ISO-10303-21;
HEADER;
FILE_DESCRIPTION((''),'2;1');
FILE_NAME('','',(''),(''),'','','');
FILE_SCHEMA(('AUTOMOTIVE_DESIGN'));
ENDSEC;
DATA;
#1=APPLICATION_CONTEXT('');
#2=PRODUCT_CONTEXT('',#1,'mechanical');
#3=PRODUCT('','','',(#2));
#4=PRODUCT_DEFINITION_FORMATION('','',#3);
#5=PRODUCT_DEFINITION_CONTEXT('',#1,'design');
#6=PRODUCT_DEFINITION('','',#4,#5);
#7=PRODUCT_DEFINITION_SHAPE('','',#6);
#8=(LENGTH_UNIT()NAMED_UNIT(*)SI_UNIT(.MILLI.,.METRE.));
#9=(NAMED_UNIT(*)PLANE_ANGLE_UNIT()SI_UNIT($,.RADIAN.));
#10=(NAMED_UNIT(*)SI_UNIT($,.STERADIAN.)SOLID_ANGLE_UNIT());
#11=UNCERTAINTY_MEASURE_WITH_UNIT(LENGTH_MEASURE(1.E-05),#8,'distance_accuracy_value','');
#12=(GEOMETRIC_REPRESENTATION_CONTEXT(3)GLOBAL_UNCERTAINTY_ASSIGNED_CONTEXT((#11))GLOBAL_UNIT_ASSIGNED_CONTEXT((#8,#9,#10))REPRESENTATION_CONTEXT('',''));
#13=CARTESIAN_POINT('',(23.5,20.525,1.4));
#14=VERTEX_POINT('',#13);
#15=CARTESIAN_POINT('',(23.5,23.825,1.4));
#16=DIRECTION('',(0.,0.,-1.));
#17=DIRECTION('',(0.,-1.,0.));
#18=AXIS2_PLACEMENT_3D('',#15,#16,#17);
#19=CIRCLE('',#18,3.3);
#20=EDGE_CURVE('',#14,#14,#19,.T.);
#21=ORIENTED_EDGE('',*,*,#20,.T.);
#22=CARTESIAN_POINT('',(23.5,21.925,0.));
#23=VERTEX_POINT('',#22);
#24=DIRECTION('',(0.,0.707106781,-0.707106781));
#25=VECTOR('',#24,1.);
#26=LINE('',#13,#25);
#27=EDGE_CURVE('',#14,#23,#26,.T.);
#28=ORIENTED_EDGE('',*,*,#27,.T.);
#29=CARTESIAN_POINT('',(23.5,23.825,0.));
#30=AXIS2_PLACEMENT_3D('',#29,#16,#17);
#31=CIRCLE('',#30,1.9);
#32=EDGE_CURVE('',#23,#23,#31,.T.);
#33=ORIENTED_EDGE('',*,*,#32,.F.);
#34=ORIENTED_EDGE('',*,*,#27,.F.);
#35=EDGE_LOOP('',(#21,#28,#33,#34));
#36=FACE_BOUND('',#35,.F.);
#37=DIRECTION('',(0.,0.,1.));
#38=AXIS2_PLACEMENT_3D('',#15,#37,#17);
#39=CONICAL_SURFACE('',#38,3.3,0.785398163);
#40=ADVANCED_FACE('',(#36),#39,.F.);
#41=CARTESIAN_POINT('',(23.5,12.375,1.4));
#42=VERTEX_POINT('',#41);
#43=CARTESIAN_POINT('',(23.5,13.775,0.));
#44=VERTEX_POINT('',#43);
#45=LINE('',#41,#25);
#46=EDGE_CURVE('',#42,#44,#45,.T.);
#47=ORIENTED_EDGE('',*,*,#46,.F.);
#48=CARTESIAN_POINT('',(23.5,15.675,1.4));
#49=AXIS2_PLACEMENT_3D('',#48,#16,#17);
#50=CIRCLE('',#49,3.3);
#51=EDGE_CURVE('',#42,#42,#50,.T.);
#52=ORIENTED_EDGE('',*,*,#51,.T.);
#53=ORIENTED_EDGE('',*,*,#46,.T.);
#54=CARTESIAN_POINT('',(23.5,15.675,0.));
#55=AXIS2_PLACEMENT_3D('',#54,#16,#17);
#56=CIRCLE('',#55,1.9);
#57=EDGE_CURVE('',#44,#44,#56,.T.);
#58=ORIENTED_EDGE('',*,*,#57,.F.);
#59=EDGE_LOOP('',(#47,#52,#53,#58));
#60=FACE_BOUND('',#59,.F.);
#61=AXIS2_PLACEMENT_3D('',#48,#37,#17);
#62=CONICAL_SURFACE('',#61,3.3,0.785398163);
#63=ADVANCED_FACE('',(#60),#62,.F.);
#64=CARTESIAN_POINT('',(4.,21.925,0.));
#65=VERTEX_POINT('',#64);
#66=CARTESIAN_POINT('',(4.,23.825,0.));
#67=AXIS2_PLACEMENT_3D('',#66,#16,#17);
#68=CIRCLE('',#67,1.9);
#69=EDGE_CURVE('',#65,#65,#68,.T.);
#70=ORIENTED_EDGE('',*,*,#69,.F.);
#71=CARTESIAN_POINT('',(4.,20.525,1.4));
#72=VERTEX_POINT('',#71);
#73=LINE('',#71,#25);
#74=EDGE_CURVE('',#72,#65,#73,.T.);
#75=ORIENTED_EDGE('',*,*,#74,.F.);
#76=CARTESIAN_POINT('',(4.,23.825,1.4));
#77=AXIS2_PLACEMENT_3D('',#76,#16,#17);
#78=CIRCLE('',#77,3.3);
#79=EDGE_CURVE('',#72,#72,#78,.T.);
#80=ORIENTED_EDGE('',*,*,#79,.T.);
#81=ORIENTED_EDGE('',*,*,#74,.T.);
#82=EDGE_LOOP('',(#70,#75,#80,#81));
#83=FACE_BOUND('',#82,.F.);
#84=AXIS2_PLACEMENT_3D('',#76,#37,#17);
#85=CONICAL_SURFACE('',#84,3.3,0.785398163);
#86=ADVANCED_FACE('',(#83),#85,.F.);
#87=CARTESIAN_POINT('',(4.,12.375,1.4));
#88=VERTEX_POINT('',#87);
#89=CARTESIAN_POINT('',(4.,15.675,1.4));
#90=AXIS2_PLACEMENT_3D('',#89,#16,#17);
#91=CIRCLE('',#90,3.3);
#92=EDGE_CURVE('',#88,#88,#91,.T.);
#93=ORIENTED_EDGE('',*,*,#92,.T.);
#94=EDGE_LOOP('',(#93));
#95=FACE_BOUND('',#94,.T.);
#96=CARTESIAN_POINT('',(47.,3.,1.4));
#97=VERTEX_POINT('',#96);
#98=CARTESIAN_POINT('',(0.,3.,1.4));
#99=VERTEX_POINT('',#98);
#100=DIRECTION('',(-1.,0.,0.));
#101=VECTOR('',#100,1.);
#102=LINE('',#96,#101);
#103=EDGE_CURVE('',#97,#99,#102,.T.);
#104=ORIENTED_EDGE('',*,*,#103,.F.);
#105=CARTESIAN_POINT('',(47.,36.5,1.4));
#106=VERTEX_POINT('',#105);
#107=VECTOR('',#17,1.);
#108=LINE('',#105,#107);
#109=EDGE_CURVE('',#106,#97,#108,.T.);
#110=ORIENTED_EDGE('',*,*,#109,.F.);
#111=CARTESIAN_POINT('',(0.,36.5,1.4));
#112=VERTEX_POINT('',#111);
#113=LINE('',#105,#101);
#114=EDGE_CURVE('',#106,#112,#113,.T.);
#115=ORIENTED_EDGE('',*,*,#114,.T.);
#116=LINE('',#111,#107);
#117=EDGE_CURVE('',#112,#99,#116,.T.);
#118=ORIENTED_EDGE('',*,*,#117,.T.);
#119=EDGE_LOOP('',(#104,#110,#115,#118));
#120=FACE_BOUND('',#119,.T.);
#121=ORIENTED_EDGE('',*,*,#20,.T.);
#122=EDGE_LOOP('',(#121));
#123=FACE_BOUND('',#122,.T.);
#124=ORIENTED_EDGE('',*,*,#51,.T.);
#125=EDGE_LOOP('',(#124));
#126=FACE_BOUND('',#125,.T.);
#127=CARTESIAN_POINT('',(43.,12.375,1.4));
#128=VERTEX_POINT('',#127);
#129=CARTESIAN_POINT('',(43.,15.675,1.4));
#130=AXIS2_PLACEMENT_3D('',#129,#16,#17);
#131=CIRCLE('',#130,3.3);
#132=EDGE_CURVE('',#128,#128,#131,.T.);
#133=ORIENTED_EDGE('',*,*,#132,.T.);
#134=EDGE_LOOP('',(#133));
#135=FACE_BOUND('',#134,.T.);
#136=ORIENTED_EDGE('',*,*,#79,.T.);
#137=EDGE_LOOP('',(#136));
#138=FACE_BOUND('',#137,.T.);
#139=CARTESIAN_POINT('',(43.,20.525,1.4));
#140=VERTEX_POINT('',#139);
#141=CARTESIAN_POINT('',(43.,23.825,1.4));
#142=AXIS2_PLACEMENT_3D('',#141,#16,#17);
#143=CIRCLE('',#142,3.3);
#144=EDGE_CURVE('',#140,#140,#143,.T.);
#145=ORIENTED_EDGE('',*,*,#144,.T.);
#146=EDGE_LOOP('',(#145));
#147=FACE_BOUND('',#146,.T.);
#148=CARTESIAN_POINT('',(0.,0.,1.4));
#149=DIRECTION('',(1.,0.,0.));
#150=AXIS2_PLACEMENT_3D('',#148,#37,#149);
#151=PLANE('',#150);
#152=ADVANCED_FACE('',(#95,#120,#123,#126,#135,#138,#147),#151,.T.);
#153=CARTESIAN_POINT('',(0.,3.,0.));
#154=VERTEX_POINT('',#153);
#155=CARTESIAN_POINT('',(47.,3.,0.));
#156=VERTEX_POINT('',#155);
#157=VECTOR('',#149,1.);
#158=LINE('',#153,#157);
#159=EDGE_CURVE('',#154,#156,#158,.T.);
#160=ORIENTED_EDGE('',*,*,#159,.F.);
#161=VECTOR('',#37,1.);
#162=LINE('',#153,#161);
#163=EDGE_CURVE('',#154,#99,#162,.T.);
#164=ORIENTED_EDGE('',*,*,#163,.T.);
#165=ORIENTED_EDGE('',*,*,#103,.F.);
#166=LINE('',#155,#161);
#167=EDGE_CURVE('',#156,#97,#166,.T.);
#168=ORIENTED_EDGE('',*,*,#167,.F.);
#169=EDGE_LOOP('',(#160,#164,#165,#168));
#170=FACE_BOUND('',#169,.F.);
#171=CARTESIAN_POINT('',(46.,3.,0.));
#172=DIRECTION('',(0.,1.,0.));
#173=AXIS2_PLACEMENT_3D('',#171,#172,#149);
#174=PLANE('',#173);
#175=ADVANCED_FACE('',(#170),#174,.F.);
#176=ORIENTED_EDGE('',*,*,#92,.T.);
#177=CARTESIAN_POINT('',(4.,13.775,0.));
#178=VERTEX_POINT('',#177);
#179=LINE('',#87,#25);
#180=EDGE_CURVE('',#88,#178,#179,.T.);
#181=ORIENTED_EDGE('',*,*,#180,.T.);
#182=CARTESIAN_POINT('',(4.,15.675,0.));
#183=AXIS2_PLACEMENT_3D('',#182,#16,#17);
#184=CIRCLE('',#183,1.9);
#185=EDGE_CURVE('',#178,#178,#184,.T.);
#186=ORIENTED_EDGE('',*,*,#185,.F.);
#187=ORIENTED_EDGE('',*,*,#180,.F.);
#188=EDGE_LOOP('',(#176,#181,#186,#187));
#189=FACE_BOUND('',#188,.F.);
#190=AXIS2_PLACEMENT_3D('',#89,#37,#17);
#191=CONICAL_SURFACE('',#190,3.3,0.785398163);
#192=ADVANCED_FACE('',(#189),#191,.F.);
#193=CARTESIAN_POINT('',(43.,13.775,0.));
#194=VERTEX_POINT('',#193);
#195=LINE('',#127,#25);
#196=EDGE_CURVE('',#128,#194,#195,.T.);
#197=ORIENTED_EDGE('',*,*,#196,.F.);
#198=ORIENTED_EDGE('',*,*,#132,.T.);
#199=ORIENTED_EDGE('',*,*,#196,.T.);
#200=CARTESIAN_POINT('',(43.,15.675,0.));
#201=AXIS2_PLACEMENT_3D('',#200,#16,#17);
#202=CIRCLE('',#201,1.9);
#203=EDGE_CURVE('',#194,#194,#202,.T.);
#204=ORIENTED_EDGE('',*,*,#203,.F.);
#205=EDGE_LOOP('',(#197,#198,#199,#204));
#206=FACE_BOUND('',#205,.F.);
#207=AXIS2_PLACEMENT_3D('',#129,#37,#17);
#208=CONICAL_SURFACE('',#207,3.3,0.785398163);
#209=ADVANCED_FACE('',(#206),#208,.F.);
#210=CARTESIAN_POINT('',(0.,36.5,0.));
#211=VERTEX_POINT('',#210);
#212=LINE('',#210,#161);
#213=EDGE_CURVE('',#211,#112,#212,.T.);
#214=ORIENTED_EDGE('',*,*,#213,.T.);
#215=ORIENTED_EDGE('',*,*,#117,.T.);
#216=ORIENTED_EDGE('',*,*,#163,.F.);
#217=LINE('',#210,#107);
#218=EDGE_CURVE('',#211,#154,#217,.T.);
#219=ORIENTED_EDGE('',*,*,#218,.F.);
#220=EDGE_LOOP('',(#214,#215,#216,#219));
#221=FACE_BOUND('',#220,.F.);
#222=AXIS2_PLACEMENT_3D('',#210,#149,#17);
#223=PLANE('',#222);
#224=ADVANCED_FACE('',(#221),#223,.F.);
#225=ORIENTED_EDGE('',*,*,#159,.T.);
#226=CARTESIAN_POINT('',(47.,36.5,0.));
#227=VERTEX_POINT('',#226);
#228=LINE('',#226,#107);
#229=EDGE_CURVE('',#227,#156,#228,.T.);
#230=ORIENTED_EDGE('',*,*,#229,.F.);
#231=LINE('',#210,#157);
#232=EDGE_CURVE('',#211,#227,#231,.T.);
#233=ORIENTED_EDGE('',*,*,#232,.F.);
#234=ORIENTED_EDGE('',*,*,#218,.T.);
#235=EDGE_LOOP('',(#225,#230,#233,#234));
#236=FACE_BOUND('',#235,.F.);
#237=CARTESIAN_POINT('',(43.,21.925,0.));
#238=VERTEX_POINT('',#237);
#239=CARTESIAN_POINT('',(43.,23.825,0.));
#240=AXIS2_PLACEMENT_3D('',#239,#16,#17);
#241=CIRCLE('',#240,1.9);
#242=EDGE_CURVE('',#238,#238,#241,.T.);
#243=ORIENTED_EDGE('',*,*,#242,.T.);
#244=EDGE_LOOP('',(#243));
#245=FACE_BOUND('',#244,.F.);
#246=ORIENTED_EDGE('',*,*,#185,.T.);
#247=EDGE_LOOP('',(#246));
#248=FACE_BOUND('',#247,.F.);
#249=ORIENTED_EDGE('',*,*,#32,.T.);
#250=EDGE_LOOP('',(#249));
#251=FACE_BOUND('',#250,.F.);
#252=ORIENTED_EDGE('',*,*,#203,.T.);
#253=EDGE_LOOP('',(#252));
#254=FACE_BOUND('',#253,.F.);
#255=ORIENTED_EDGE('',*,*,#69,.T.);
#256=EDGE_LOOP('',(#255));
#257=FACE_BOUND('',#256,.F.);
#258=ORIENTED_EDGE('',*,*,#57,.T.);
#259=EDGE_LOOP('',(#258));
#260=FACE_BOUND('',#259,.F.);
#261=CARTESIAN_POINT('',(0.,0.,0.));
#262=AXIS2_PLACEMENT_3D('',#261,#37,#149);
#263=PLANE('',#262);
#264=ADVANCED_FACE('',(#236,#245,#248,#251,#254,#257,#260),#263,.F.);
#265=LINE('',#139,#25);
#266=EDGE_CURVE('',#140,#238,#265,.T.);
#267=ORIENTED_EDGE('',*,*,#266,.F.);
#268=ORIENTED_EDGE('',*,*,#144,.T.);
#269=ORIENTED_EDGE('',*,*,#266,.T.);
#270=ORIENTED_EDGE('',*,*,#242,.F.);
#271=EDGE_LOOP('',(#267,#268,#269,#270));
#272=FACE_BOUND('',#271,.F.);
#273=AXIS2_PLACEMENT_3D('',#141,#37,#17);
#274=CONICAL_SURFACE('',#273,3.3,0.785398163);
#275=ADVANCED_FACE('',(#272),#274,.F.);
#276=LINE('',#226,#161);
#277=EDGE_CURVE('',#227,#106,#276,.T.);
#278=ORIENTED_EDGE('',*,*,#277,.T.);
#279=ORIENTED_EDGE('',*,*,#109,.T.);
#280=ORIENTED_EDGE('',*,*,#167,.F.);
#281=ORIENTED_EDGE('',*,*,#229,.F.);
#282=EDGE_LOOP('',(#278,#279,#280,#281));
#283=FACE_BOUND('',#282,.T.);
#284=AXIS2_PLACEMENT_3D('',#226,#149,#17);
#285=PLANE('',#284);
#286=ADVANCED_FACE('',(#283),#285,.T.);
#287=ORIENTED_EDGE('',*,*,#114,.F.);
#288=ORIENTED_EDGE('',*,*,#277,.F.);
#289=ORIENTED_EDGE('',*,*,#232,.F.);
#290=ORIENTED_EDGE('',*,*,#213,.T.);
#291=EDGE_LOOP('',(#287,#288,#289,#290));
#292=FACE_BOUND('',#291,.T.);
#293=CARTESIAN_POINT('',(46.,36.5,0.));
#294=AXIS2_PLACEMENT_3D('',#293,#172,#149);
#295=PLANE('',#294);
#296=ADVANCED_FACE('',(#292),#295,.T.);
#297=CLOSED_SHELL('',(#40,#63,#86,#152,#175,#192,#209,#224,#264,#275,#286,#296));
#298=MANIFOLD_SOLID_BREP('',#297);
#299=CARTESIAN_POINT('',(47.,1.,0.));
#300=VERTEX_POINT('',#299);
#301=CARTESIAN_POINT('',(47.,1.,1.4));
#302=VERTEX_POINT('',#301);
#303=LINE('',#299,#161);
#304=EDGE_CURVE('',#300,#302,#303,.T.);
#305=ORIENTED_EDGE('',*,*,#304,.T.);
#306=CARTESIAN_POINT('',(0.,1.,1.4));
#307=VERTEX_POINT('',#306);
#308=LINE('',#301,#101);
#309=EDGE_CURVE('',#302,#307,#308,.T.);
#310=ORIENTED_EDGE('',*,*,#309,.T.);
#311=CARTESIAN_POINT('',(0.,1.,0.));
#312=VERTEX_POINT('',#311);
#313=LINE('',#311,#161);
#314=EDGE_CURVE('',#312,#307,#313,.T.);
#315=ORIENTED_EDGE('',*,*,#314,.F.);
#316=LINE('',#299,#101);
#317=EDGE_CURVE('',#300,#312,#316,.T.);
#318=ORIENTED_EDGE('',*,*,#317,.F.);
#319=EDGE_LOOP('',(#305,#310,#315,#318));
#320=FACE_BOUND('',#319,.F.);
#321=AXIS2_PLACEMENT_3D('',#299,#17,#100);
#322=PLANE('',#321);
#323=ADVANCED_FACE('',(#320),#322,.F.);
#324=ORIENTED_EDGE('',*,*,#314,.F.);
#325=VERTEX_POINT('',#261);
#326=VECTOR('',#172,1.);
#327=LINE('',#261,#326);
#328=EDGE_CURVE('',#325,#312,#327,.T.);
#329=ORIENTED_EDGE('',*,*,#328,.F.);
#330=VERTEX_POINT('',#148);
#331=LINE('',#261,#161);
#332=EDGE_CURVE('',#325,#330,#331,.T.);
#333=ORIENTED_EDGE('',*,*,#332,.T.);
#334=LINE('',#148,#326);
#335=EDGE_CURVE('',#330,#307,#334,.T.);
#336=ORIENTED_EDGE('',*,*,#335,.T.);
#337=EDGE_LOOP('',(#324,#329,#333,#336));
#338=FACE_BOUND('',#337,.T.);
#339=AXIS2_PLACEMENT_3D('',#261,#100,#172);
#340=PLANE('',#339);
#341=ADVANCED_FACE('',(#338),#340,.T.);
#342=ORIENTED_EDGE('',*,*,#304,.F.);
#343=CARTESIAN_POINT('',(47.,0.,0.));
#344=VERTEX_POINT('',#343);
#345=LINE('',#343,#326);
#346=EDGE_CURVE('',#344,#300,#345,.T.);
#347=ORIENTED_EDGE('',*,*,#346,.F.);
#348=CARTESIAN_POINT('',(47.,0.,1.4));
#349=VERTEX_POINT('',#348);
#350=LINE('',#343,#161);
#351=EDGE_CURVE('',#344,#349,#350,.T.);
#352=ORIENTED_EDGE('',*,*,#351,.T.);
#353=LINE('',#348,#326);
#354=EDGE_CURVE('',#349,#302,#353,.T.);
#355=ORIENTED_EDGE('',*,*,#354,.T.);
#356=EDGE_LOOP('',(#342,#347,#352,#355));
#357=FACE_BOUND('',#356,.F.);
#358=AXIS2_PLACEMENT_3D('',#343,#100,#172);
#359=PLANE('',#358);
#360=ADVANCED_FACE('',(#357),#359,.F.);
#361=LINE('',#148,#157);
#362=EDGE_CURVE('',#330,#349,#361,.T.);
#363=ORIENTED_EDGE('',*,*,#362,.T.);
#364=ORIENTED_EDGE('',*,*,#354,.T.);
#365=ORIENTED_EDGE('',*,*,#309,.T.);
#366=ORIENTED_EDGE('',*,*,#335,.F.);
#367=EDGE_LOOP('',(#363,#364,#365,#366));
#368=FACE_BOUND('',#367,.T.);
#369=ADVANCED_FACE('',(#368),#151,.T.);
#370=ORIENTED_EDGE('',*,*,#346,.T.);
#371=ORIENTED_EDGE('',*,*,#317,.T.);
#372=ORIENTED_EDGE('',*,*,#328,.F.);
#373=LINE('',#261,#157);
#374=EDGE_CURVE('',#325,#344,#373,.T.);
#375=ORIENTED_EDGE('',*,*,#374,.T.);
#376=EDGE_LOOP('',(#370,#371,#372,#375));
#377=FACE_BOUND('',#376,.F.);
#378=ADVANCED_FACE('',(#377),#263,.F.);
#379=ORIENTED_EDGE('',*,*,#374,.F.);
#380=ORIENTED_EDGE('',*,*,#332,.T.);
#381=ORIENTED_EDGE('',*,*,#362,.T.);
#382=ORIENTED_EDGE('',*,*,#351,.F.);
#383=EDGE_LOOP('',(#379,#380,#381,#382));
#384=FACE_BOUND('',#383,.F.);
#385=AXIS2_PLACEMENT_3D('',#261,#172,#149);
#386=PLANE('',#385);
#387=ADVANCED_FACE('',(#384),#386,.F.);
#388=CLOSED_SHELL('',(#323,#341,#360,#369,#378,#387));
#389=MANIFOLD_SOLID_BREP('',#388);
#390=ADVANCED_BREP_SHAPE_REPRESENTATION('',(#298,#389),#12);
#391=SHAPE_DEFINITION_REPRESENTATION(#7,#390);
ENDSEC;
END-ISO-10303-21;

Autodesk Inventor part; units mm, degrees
ref_plane "YZ Plane" through (0, 0, 0) normal (1, 0, 0) x (0, 1, 0)
ref_plane "XZ Plane" through (0, 0, 0) normal (0, 1, 0) x (-1, 0, 0)
ref_plane "XY Plane" through (0, 0, 0) normal (0, 0, 1) x (1, 0, 0)
ref_plane "Work Plane1" through (0, 0, 0) normal (0, 0, 1) x (1, 0, 0)
sketch "Sketch1" plane through (0, 0, 0) normal (0, 0, 1) x (1, 0, 0)
  line L0 (47, 0) -> (47, 3) projected
  line L1 (0, 3) -> (47, 3) projected
  line L2 (0, 0) -> (0, 3) projected
  line L3 (-65.5, 38.5) -> (112.5, 38.5)
  line L4 (112.5, 38.5) -> (112.5, -8.5)
  line L5 (112.5, -8.5) -> (-65.5, -8.5)
  line L6 (-65.5, -8.5) -> (-65.5, 38.5)
  line L7 (-65, -11.5) -> (-65, 38.5) projected
  line L8 (46, 36.5) -> (46, 3) projected
  line L9 (46, 3) -> (47, 3) projected
  line L10 (47, 36.5) -> (47, 3) projected
  line L11 (46, 36.5) -> (47, 36.5) projected
  line L12 (1, 36.5) -> (1, 3) projected
  line L13 (1, 36.5) -> (0, 36.5) projected
  line L14 (0, 36.5) -> (0, 3) projected
  line L15 (1, 3) -> (0, 3) projected
  line L16 (0, 36.5) -> (47, 36.5)
  line L17 (47, 36.5) -> (47, 1)
  line L18 (47, 1) -> (0, 1)
  line L19 (0, 1) -> (0, 36.5)
  line L20 (0, 0) -> (47, 0) projected
  point P0 (23.5, 0)
  point P1 (-65, -8.5)
  point P2 (0, 3)
  point P3 (47, 1)
  point P4 (0, 1)
  dimension "d0" = 178
  dimension "d1" = 89
  dimension "d2" = 89
  dimension "d3" = 0
  dimension "d13" = 3
extrude "Extrusion1" add sketch "Sketch1" along normal blind 1.4 contours L20 L2 L18 L0 | L1 L8 L11 L10 | L1 L12 L16 L8 | L14 L13 L12 L1
sketch "Sketch2" plane through (0, 0, 1.4) normal (0, 0, 1) x (1, 0, 0)
  circle A0 centre (4, 23.825) radius 2.3 projected
  circle A1 centre (4, 15.675) radius 2.3 projected
  line L0 (7, 36.5) -> (1, 36.5) projected
  line L1 (1, 3) -> (1, 36.5) projected
  line L2 (1, 3) -> (7, 3) projected
  line L3 (7, 3) -> (7, 36.5) projected
  circle A2 centre (23.5, 23.825) radius 2.3 projected
  circle A3 centre (23.5, 15.675) radius 2.3 projected
  line L4 (28, 36.5) -> (19, 36.5) projected
  line L5 (19, 3) -> (19, 36.5) projected
  line L6 (19, 3) -> (28, 3) projected
  line L7 (28, 3) -> (28, 36.5) projected
  circle A4 centre (43, 23.825) radius 2.3 projected
  circle A5 centre (43, 15.675) radius 2.3 projected
  line L8 (46, 36.5) -> (40, 36.5) projected
  line L9 (40, 3) -> (40, 36.5) projected
  line L10 (40, 3) -> (46, 3) projected
  line L11 (46, 3) -> (46, 36.5) projected
  point P0 (0, 0)
hole "Hole1" at (4, 23.825, 1.4) at (4, 15.675, 1.4) at (23.5, 15.675, 1.4) at (23.5, 23.825, 1.4) at (43, 23.825, 1.4) at (43, 15.675, 1.4) direction (0, 0, -1) diameter 3.6 end through all countersink diameter 6.6 countersink angle 90 clearance for "Countersunk Flat Head Screw ISO 2009/7046" size "M3" standard "ISO"
equation "\"d1\" = d2"
properties part number "back" material "Nylon 6/6"
